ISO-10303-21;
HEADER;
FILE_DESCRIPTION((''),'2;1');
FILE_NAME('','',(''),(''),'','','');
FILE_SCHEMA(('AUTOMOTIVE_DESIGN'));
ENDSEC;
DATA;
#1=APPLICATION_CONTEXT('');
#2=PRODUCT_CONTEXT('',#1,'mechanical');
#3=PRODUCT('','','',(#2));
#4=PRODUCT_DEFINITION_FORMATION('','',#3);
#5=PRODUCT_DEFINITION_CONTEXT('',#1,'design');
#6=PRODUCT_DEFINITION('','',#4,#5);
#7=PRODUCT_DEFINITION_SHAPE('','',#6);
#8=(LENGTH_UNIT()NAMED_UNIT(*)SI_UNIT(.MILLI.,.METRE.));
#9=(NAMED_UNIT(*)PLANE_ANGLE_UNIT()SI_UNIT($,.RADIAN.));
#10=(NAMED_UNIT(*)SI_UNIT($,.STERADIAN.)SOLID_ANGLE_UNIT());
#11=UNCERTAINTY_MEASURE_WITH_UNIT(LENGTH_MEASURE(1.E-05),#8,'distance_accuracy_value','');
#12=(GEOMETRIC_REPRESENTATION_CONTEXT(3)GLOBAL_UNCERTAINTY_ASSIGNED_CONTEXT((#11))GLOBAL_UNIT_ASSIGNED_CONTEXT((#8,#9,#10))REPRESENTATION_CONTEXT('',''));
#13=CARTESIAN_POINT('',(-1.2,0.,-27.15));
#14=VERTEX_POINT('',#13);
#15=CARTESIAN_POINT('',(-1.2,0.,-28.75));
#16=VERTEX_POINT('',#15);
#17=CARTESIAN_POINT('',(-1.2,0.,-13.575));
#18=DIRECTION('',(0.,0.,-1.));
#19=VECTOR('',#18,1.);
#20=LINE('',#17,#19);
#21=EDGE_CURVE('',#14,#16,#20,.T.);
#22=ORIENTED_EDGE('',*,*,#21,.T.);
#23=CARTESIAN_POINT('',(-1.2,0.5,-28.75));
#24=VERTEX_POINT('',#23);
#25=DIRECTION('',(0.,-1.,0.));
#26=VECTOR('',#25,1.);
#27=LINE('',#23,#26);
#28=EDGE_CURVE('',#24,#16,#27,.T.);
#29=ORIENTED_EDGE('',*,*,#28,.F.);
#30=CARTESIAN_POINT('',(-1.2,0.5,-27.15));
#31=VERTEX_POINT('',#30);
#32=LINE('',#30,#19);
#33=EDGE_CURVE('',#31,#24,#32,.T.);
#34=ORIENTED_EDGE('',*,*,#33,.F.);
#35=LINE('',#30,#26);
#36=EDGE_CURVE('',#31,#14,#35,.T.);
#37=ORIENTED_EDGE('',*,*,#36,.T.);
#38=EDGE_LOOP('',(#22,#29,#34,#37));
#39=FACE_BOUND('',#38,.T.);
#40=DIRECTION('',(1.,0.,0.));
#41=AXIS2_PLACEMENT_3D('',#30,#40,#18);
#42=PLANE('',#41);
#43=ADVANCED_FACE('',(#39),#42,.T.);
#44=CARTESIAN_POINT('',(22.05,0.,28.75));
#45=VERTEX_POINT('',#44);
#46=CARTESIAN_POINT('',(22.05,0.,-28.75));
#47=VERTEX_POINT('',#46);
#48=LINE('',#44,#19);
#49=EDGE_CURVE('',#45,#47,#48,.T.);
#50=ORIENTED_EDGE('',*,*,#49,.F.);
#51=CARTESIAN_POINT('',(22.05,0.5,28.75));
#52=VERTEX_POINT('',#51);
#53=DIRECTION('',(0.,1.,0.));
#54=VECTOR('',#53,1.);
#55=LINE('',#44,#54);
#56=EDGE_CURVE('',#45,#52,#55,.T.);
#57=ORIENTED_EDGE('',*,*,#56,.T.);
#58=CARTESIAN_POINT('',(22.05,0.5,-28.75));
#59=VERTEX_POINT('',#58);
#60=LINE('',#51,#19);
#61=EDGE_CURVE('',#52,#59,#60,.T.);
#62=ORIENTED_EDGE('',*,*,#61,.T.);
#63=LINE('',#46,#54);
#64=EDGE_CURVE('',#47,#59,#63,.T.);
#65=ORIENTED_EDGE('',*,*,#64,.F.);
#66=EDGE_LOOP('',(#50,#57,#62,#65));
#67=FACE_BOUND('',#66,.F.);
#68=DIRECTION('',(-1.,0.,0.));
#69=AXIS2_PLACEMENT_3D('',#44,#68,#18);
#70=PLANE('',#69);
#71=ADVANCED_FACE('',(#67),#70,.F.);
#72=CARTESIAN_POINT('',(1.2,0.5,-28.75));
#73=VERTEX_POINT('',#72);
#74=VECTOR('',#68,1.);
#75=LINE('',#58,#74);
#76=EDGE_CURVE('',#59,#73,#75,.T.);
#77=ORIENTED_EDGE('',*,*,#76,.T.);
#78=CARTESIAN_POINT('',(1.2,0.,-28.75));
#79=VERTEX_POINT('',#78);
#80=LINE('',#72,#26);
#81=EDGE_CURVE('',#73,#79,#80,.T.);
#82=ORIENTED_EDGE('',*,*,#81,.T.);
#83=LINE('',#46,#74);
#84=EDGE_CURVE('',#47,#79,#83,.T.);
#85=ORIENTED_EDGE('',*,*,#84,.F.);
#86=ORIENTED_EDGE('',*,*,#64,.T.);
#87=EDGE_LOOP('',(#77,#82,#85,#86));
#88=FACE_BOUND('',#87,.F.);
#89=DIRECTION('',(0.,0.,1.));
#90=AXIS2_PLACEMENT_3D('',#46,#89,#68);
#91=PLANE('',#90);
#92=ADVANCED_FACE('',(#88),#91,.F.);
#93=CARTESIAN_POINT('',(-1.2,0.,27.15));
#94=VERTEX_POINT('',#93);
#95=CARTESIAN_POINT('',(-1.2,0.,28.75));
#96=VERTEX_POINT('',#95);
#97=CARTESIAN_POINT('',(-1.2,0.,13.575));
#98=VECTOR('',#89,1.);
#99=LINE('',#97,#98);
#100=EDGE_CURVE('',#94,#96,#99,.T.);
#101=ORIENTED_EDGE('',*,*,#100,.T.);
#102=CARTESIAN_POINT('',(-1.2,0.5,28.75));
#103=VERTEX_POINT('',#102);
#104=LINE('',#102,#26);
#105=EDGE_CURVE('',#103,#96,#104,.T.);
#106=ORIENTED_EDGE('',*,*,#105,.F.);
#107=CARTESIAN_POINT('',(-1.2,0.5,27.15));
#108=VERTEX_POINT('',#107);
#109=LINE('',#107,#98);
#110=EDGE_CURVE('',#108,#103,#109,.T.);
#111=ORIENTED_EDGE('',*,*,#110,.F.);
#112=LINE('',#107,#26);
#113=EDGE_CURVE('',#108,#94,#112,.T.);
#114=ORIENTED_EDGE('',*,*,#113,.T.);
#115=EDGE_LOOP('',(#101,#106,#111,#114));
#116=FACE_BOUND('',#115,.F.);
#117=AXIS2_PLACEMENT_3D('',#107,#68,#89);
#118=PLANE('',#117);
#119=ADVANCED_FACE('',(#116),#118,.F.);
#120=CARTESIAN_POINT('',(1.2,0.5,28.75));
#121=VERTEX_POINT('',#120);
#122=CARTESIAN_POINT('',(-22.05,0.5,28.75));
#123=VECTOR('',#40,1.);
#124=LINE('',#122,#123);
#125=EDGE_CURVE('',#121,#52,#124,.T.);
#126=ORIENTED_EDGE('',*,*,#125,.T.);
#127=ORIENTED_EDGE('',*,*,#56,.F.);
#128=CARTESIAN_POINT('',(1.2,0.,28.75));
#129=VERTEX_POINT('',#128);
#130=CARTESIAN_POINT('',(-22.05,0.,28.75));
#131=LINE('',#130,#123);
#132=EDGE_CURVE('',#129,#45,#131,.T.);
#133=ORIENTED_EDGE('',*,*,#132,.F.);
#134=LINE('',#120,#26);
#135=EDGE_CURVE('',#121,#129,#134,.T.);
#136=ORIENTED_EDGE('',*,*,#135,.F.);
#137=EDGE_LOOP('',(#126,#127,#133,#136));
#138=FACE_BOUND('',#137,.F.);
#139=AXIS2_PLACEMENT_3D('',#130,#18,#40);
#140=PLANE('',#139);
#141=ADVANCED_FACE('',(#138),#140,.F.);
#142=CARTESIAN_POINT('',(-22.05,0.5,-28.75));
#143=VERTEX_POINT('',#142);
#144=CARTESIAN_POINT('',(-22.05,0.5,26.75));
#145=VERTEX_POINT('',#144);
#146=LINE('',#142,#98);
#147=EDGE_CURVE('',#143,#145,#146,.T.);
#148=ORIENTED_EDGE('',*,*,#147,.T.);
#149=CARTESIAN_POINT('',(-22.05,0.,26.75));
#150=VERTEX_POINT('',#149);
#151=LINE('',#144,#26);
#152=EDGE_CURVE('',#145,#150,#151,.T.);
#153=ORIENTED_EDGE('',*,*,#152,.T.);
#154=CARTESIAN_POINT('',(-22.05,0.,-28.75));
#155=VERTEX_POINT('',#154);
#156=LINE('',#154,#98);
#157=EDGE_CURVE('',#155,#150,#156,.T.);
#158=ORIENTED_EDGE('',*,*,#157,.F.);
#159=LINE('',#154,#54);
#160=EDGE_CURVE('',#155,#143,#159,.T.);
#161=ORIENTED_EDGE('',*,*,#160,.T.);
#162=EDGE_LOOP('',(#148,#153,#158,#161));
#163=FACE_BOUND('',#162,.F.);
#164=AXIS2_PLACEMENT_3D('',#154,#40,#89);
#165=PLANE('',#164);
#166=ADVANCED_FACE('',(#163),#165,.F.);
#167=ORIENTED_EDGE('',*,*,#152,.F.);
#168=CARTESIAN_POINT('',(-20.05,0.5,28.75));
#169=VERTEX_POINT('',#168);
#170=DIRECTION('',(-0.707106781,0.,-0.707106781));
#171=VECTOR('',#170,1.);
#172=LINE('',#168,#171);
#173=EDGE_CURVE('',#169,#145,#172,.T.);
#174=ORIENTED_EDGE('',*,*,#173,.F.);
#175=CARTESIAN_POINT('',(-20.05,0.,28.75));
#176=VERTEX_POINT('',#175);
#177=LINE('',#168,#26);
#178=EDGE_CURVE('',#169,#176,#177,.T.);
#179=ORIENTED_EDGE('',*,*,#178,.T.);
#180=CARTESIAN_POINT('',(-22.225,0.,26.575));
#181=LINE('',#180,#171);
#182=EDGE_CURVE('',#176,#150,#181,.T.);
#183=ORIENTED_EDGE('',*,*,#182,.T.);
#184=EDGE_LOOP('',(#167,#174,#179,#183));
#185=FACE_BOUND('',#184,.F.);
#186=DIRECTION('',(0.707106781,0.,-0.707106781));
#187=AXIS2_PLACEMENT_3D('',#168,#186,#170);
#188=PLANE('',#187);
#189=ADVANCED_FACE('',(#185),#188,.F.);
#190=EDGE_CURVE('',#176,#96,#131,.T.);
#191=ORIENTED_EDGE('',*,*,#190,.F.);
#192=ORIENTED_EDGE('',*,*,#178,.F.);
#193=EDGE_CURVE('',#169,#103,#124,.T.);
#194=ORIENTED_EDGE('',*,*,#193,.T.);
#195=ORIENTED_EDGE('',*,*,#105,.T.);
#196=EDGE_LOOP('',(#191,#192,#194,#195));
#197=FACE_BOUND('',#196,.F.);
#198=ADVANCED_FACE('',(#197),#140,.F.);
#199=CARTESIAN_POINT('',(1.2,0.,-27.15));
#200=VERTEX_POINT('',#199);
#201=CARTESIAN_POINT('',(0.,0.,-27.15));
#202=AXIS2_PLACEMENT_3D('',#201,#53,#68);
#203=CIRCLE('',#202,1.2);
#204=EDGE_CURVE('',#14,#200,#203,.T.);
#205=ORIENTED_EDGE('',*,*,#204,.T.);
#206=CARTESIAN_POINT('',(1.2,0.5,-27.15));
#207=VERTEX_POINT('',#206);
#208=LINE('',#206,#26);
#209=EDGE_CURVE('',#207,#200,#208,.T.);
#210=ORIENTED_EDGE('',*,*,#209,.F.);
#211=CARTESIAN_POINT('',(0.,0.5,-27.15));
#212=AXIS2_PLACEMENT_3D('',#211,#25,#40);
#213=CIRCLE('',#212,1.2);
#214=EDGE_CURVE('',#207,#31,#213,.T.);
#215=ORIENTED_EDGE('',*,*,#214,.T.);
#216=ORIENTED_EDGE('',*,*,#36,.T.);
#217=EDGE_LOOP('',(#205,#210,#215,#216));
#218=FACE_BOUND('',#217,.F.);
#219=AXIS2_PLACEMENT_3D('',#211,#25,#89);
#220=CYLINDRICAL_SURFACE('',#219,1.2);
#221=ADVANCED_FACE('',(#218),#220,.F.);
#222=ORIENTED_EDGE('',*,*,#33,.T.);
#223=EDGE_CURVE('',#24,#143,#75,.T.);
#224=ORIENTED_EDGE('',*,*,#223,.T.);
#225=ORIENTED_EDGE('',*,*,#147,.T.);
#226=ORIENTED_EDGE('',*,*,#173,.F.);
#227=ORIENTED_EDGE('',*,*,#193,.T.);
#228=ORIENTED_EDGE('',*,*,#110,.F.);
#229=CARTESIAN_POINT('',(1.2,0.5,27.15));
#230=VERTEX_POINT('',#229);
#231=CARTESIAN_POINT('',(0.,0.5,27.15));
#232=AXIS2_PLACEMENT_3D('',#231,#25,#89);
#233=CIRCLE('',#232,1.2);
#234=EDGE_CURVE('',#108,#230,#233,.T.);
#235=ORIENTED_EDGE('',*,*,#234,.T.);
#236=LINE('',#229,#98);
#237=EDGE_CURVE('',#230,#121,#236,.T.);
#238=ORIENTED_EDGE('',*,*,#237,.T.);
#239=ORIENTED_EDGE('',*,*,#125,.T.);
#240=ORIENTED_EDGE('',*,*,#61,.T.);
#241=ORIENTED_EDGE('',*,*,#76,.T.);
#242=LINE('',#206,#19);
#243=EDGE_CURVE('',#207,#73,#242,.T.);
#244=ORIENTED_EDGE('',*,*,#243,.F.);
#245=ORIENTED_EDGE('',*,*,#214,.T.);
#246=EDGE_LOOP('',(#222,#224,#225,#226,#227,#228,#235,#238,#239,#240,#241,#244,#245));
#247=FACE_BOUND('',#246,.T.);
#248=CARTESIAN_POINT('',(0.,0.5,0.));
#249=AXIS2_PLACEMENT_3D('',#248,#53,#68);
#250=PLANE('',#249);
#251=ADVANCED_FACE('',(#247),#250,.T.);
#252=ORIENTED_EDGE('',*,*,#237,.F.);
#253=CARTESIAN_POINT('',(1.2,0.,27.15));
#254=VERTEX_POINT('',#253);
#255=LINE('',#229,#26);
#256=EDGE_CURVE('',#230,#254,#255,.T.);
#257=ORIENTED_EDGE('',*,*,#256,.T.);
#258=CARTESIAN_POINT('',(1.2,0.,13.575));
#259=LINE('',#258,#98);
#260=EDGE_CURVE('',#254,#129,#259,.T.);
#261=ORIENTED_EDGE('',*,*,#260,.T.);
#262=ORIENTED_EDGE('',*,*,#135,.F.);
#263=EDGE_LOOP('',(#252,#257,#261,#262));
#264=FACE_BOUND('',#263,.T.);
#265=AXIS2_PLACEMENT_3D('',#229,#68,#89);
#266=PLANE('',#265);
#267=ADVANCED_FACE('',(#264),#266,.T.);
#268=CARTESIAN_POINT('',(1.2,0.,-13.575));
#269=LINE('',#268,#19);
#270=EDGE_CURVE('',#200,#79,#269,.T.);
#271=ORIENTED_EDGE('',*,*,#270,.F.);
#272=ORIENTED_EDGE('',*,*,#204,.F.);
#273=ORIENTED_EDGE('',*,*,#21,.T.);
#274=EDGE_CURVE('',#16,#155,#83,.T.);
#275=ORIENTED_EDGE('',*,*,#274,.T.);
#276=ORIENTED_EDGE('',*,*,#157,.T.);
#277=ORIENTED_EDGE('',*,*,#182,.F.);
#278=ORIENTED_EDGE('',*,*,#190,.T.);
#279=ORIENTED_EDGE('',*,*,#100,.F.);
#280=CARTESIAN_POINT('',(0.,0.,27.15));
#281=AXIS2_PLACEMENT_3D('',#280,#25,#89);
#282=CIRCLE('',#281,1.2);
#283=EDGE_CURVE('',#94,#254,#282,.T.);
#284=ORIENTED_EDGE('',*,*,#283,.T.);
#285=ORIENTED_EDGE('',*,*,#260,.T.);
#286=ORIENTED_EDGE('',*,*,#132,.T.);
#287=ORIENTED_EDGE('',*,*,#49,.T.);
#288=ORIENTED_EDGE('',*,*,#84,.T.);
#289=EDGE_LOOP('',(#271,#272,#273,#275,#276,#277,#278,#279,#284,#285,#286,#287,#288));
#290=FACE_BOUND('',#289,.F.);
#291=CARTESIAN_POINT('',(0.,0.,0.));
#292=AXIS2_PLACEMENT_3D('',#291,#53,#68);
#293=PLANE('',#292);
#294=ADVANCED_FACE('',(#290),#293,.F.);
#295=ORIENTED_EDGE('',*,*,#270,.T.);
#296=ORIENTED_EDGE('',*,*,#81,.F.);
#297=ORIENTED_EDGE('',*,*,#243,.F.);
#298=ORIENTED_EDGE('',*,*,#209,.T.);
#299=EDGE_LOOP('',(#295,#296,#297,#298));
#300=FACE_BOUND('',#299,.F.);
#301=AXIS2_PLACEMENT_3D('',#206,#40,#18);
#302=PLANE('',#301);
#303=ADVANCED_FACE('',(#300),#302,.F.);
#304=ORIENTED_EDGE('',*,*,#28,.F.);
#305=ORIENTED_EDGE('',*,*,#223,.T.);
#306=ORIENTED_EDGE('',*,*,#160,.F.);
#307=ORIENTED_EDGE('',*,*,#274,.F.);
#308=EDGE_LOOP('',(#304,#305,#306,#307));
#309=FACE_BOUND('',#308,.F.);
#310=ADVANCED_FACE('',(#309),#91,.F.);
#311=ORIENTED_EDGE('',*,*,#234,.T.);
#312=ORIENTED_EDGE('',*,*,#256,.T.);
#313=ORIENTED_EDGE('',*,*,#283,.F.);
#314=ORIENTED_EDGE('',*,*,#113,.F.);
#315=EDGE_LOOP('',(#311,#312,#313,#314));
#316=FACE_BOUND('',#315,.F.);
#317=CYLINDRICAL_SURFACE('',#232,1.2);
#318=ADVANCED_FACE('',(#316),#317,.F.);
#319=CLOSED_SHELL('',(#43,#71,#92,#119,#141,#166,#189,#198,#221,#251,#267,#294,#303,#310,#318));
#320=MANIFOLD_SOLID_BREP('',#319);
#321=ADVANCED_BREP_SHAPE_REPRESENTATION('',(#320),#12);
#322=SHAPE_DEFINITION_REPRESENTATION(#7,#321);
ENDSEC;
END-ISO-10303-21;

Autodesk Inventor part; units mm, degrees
ref_plane "YZ Plane" through (0, 0, 0) normal (1, 0, 0) x (0, 1, 0)
ref_plane "XZ Plane" through (0, 0, 0) normal (0, 1, 0) x (-1, 0, 0)
ref_plane "XY Plane" through (0, 0, 0) normal (0, 0, 1) x (1, 0, 0)
sketch "Sketch2" plane through (0, 0, 0) normal (0, 1, 0) x (-1, 0, 0)
  line L0 (-22.05, -28.75) -> (22.05, -28.75)
  line L1 (22.05, -28.75) -> (22.05, 28.75)
  line L2 (22.05, 28.75) -> (-22.05, 28.75)
  line L3 (-22.05, 28.75) -> (-22.05, -28.75)
  line L4 (-22.05, -28.75) -> (22.05, 28.75) construction
  line L5 (22.05, -28.75) -> (-22.05, 28.75) construction
  point P0 (0, 0)
  dimension "d28" = 44.1
  dimension "d29" = 57.5
extrude "Extrusion2" add sketch "Sketch2" along normal blind 0.5
sketch "Sketch4" plane through (0, 0.5, 0) normal (0, 1, 0) x (1, 0, 0)
  line L0 (-22.05, 28.75) -> (-22.05, -28.75) projected
  line L1 (-22.05, -28.75) -> (22.05, -28.75) projected
  line L2 (22.05, -28.75) -> (22.05, 28.75) projected
  line L3 (22.05, 28.75) -> (-22.05, 28.75) projected
  point P0 (0, 0)
  point P1 (0, -27.15)
  point P2 (0, 27.15)
  point P3 (-18, -28.75)
  point P4 (-12.775, 28.75)
  dimension "d37" = 22.05
  dimension "d38" = 1.6
  dimension "d40" = 1.6
  dimension "d68" = 44.1
hole "Hole1" at (0, 0.5, 27.15) at (0, 0.5, -27.15) direction (0, -1, 0) diameter 2.4 end through all clearance for "Flat Head Machine Screw" size "M2" standard "Ansi Metric M Profile"
sketch "Sketch5" plane through (0, 0.5, 0) normal (0, 1, 0) x (1, 0, 0)
  line L0 (-22.05, -28.75) -> (22.05, -28.75) projected
  line L1 (-20.05, -28.75) -> (-22.05, -26.75)
  line L2 (-22.05, 28.75) -> (-22.05, -28.75) projected
  point P0 (0, 0)
  point P1 (-18, -28.75)
  dimension "d49" = 2
  dimension "d50" = 2
extrude "Extrusion4" cut sketch "Sketch5" against normal through all
sketch "Sketch6" plane through (0, 0.5, 0) normal (0, 1, 0) x (1, 0, 0)
  circle A0 centre (0, -27.15) radius 1.2 projected
  line L0 (-1.2, -27.15) -> (-1.2, -28.75)
  line L1 (-22.05, -28.75) -> (22.05, -28.75) projected
  line L2 (1.2, -27.15) -> (1.2, -28.75)
  line L3 (1.2, -27.15) -> (-1.2, -27.15)
  line L4 (24.0299, 0) -> (-42.1887, 0)
  line L5 (-1.2, 27.15) -> (-1.2, 28.75)
  line L6 (1.2, 27.15) -> (1.2, 28.75)
  line L7 (1.2, 27.15) -> (-1.2, 27.15)
  line L8 (22.05, 28.75) -> (-22.05, 28.75) projected
  point P0 (0, 0)
  point P1 (-15.5, -28.75)
  point P2 (17.3, -28.75)
  point P3 (0, 27.15)
  point P4 (15.5, 28.75)
  point P5 (-17.3, 28.75)
extrude "Extrusion5" cut sketch "Sketch6" against normal through all contours L2 L1 L0 A0 | L5 L8 L6 L7
equation "\"d37\" = 0.5 * d68"
equation "\"d40\" = d38"
properties part number "etl standard baseplate with cutouts"
